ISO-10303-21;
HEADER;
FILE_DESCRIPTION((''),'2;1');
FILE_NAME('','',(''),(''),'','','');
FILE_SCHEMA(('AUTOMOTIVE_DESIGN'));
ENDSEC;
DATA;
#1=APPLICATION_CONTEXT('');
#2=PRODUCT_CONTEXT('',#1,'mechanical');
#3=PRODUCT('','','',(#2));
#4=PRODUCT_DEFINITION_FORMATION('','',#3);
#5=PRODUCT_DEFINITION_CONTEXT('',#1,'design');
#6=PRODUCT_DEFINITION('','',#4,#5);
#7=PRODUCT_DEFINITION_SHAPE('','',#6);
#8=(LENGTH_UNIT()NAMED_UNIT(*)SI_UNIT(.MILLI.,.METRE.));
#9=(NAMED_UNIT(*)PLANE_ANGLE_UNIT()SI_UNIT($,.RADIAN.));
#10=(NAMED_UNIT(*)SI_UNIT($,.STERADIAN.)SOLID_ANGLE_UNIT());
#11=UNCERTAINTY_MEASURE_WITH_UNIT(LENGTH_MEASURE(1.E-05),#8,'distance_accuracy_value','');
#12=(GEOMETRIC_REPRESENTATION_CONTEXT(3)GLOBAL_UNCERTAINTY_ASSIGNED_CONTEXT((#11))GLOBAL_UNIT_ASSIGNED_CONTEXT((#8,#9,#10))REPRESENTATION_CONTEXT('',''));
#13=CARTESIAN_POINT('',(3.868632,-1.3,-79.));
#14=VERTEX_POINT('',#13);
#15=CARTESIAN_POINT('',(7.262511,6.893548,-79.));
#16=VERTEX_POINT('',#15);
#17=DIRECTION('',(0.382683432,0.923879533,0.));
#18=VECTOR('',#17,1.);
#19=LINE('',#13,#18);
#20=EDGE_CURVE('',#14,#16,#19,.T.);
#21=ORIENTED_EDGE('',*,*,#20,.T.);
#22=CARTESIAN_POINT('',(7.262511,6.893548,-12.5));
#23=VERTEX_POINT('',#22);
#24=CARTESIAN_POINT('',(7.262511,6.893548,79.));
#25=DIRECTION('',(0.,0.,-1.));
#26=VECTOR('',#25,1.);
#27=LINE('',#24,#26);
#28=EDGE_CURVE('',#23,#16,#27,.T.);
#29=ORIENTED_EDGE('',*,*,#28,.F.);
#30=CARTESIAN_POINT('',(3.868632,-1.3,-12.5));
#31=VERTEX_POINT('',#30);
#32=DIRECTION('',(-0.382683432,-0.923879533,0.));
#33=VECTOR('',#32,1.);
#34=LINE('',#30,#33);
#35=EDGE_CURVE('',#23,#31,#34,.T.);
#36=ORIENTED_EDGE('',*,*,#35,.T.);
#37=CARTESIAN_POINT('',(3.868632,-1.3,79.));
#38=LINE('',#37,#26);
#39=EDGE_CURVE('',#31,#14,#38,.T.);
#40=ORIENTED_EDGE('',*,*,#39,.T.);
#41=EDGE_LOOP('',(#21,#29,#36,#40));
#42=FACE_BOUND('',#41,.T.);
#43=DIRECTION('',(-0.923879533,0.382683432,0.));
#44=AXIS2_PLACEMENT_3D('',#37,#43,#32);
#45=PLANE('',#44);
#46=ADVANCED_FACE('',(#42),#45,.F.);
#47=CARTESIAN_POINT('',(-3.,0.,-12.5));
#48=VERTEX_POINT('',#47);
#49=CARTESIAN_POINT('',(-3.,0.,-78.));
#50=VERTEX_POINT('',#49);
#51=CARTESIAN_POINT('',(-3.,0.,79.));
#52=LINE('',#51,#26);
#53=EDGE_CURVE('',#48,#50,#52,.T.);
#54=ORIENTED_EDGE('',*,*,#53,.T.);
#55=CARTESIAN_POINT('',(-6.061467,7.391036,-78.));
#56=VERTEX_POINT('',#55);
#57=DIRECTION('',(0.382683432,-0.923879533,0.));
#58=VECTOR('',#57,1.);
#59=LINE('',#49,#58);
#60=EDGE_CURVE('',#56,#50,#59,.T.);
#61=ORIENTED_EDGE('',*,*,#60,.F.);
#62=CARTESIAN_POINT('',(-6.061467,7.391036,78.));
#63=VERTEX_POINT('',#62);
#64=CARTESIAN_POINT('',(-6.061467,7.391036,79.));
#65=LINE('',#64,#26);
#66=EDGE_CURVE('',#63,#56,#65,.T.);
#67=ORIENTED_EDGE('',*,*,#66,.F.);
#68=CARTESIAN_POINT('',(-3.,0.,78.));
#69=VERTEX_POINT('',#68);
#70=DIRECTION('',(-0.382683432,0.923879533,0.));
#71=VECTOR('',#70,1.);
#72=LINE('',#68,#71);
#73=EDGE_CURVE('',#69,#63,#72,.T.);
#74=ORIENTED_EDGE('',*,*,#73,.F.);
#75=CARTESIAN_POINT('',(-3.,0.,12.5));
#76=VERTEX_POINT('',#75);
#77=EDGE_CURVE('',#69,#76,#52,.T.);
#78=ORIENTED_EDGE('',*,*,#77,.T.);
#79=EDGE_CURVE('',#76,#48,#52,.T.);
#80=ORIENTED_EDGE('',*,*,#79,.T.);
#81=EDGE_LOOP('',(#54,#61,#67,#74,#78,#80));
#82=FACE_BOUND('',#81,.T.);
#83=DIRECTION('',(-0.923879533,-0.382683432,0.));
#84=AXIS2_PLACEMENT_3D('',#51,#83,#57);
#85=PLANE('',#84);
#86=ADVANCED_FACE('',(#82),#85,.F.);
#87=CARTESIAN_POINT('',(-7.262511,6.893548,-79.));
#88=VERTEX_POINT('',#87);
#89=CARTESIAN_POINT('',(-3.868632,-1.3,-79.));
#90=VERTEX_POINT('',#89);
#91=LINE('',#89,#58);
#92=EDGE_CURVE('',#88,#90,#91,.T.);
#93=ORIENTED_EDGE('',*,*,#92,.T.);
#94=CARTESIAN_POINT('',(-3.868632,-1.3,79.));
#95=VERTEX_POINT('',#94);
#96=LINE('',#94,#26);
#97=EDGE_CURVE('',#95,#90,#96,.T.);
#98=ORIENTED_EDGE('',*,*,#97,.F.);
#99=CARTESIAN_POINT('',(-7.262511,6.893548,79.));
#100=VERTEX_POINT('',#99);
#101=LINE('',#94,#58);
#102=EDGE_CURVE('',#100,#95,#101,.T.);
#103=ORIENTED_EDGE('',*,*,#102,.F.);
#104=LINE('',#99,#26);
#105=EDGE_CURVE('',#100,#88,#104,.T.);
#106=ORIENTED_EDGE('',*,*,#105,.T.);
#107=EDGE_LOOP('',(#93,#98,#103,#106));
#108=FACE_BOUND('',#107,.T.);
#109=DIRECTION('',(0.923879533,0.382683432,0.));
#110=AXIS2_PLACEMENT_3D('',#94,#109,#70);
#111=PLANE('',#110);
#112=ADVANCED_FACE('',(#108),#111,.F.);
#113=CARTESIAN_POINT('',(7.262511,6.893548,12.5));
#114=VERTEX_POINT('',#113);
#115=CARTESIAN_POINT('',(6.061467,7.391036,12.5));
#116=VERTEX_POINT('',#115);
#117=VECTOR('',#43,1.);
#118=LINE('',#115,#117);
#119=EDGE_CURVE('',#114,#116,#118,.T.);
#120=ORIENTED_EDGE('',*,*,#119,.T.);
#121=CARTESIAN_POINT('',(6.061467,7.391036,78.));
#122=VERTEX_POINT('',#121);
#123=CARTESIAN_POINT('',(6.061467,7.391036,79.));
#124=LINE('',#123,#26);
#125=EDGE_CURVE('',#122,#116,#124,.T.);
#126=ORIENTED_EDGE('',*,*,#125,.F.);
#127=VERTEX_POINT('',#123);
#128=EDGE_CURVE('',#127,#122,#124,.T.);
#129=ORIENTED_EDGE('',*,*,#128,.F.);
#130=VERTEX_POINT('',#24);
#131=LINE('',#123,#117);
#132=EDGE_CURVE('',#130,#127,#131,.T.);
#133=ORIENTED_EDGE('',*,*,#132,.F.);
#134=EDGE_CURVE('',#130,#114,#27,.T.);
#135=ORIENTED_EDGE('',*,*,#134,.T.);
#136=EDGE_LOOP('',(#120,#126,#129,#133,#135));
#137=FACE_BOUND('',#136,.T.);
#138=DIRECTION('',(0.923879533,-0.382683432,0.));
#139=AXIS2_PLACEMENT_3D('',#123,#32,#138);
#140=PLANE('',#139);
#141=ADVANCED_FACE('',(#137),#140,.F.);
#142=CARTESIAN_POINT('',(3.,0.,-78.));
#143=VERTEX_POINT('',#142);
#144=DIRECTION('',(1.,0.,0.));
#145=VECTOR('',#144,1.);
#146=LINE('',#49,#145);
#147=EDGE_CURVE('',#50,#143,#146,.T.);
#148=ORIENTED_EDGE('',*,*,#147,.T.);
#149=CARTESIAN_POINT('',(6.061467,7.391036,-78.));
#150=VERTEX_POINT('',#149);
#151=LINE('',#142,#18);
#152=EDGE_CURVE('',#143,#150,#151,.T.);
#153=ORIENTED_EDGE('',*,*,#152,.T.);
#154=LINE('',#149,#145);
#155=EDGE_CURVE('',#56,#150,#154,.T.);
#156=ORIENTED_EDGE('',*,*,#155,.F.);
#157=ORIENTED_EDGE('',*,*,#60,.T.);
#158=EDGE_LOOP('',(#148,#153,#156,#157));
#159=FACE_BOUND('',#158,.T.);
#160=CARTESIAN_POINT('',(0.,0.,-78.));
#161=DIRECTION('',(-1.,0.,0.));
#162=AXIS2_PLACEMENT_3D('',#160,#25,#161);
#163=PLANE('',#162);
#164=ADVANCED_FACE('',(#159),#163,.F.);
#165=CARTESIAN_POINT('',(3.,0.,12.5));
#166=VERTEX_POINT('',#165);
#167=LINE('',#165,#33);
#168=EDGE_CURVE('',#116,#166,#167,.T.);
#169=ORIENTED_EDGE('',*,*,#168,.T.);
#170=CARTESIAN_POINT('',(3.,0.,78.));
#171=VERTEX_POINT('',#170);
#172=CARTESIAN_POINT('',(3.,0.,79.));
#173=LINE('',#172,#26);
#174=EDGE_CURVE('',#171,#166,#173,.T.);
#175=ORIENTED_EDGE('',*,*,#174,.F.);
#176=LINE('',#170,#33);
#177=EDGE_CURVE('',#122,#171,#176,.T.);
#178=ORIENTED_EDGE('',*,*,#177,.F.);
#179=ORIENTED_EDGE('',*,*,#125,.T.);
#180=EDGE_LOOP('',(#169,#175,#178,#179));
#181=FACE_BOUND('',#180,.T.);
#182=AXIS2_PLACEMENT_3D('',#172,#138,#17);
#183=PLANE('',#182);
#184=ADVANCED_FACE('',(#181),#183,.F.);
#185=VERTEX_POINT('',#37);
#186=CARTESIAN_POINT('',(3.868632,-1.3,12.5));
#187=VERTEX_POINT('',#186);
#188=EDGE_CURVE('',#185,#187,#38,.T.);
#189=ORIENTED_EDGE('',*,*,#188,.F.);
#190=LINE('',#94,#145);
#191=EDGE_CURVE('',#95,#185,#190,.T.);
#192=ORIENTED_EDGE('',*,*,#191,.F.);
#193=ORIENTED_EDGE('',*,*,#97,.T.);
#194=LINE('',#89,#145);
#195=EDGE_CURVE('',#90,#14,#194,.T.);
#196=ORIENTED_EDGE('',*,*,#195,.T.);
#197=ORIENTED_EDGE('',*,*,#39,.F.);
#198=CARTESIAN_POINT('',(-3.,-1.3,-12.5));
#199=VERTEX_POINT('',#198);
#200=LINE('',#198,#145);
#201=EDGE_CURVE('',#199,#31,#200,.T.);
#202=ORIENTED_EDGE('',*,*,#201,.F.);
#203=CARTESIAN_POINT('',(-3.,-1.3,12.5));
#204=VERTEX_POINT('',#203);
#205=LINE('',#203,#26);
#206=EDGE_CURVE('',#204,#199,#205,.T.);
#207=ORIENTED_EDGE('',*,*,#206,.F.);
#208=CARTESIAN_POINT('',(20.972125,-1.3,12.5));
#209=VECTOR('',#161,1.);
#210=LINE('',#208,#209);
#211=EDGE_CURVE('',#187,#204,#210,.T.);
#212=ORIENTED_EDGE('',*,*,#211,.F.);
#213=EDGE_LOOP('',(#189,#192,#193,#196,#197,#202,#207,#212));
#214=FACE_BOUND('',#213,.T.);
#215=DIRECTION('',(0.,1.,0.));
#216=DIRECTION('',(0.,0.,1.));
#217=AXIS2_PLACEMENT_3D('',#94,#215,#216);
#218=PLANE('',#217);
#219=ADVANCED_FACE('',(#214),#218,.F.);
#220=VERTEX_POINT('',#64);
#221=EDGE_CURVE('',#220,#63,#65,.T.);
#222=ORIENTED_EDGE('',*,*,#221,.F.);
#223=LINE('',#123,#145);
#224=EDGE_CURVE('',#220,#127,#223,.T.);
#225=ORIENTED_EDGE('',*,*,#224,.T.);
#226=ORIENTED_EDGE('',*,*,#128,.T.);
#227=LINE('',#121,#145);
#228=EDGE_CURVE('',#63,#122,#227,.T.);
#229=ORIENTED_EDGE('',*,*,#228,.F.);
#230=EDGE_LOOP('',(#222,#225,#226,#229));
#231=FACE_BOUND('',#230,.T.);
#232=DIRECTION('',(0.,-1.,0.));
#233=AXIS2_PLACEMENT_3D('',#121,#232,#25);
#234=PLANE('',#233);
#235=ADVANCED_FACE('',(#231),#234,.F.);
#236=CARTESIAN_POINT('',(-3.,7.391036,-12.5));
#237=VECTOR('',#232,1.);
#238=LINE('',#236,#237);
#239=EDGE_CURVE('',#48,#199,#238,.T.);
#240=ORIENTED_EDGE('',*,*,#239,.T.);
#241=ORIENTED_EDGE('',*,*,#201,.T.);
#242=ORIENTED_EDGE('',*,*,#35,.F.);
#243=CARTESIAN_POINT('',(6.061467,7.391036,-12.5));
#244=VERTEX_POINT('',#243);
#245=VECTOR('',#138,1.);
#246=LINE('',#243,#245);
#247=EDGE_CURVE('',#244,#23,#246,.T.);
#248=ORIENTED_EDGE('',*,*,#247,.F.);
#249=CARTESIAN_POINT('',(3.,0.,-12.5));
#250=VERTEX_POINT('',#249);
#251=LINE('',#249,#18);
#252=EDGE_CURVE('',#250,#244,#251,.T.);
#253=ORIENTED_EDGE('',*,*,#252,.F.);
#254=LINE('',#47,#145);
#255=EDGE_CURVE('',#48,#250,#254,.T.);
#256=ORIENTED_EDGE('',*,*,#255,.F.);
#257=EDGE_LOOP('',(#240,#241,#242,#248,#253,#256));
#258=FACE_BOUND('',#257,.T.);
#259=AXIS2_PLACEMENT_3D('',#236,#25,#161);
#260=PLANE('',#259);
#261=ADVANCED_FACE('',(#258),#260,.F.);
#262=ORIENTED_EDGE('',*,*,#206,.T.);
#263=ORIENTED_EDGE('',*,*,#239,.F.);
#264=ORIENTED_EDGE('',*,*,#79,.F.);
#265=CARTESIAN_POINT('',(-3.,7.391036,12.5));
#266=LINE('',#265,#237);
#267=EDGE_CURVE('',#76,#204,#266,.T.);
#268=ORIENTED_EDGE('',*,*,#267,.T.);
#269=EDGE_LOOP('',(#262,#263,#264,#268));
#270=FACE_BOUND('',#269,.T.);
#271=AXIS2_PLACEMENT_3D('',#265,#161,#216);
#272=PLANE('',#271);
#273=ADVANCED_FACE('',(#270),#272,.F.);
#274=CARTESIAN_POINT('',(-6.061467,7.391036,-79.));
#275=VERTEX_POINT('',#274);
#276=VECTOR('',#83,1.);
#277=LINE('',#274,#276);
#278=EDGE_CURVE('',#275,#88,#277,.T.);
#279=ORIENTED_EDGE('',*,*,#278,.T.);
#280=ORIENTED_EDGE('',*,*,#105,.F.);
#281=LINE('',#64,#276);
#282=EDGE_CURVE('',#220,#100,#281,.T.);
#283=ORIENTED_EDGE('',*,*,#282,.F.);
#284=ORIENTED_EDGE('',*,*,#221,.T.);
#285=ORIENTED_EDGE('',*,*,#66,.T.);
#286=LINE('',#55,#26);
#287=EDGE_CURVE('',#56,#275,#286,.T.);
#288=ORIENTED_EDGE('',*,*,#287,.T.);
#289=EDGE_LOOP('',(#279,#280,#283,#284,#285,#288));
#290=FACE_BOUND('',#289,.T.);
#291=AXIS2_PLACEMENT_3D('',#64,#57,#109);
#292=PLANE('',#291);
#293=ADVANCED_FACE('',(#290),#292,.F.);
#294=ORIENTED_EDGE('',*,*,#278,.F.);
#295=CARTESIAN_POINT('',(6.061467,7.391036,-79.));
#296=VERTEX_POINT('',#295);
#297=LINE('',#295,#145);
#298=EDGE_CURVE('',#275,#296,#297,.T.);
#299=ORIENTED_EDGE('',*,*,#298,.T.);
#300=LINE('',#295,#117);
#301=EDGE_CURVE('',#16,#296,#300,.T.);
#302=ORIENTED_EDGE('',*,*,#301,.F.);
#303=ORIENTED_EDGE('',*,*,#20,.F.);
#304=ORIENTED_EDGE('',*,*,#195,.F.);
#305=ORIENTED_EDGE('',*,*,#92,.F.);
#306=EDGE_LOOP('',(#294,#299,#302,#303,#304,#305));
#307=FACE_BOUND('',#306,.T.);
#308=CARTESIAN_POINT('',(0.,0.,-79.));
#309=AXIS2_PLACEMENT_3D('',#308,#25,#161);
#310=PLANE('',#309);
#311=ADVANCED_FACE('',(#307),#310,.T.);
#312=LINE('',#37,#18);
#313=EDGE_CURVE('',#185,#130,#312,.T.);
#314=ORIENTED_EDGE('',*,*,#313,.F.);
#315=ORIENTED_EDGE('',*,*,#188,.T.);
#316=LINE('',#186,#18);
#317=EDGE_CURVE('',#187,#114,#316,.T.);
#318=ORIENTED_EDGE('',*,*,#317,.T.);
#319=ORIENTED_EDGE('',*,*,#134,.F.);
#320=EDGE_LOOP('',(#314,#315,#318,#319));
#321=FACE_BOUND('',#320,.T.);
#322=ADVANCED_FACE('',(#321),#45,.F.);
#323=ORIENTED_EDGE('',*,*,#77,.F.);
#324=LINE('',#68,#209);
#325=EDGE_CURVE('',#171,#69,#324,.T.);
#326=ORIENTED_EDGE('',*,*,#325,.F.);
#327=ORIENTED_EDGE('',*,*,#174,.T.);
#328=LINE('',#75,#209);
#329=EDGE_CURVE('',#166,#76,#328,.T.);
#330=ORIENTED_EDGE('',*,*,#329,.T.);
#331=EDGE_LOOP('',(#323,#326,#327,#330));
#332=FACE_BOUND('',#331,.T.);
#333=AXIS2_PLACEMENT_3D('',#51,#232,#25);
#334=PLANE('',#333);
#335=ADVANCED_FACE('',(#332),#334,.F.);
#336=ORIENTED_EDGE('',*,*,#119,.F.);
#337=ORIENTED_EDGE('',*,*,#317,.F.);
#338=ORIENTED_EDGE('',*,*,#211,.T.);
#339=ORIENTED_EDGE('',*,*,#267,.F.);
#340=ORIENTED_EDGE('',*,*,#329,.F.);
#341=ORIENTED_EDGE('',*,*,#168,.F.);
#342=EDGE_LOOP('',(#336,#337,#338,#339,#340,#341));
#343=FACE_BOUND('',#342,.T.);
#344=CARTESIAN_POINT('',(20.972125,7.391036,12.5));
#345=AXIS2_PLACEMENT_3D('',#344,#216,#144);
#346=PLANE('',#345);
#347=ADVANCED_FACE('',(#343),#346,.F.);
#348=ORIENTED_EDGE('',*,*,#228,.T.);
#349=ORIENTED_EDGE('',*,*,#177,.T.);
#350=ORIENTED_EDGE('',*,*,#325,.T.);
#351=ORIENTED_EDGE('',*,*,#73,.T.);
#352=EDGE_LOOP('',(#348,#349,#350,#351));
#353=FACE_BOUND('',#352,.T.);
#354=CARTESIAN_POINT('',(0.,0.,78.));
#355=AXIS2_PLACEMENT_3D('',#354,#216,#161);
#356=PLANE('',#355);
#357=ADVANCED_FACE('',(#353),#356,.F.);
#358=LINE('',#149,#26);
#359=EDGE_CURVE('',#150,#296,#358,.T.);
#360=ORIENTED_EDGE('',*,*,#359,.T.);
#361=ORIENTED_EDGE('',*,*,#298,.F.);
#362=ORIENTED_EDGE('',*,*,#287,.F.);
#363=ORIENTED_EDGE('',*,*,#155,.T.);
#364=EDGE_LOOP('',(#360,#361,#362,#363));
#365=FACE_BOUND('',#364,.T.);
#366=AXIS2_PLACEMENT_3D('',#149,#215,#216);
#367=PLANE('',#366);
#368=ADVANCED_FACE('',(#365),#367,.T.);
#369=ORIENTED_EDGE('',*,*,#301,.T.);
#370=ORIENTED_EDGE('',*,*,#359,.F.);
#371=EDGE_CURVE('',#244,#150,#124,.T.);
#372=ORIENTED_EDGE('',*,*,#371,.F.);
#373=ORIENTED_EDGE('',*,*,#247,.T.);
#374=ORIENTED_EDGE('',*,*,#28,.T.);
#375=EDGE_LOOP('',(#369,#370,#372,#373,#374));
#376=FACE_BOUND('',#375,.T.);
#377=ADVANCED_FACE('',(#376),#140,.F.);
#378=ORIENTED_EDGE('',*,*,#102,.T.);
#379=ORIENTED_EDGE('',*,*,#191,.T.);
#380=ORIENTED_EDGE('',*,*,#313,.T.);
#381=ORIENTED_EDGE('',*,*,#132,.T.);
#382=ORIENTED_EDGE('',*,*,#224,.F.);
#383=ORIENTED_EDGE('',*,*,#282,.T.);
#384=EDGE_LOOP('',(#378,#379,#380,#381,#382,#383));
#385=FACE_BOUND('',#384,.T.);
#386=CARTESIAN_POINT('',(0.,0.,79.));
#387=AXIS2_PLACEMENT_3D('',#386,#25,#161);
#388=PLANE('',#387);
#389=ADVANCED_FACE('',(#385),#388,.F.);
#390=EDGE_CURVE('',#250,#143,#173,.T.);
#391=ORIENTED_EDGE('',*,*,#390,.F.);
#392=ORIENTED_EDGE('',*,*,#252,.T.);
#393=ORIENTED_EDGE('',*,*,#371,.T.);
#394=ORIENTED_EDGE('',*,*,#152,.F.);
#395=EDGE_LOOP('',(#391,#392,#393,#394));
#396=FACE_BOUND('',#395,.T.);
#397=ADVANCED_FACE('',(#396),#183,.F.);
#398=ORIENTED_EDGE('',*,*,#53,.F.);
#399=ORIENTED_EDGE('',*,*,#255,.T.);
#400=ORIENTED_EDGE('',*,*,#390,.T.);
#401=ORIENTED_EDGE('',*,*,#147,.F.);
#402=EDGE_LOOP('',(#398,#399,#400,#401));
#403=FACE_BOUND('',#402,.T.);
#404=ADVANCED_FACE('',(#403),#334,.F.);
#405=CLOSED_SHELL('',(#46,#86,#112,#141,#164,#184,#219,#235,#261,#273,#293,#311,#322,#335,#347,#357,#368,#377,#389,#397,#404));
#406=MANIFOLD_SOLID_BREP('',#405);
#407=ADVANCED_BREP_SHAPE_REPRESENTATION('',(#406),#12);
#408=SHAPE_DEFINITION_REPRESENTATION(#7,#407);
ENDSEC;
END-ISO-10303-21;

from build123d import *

# Parameters (mm, degrees)
RESSALTO_EXTRUS_O1_DEPTH = 79
RESSALTO_EXTRUS_O2_DEPTH = 1
ESBO_O4_W                = 23.972124634
ESBO_O4_H                = 25
CORTE_EXTRUS_O1_DEPTH    = 80.807757613


with BuildPart() as part:
    # Esboço1 → Ressalto-extrusão1 (new, symmetric)
    with BuildSketch(Plane.XY):
        Polygon((-3, 0), (3, 0), (6.061467459, 7.39103626), (7.262510851, 6.893547798), (3.868632229, -1.3), (-3.868632229, -1.3), (-7.262510851, 6.893547798), (-6.061467459, 7.39103626), align=None)
    extrude(amount=RESSALTO_EXTRUS_O1_DEPTH, both=True)

    # Esboço2 → Ressalto-extrusão2 (add)
    with BuildSketch(Plane(origin=(0, 0, -79), x_dir=(-1, 0, 0), z_dir=(0, 0, -1))):
        Polygon((-6.061467459, 7.39103626), (6.061467459, 7.39103626), (7.262510851, 6.893547798), (3.868632229, -1.3), (-3.868632229, -1.3), (-7.262510851, 6.893547798), align=None)
    ressalto_extrus_o2 = extrude(amount=-RESSALTO_EXTRUS_O2_DEPTH)

    # Espelhar1: Ressalto-extrusão2 across plane
    add(ressalto_extrus_o2.mirror(Plane.XY))

    # Esboço4 → Corte-extrusão1 (cut, through all)
    with BuildSketch(Plane.XZ.offset(1.3)):
        with Locations((8.986062317, 0)):
            Rectangle(ESBO_O4_W, ESBO_O4_H)
    extrude(amount=-CORTE_EXTRUS_O1_DEPTH, mode=Mode.SUBTRACT)


solid = part.part
